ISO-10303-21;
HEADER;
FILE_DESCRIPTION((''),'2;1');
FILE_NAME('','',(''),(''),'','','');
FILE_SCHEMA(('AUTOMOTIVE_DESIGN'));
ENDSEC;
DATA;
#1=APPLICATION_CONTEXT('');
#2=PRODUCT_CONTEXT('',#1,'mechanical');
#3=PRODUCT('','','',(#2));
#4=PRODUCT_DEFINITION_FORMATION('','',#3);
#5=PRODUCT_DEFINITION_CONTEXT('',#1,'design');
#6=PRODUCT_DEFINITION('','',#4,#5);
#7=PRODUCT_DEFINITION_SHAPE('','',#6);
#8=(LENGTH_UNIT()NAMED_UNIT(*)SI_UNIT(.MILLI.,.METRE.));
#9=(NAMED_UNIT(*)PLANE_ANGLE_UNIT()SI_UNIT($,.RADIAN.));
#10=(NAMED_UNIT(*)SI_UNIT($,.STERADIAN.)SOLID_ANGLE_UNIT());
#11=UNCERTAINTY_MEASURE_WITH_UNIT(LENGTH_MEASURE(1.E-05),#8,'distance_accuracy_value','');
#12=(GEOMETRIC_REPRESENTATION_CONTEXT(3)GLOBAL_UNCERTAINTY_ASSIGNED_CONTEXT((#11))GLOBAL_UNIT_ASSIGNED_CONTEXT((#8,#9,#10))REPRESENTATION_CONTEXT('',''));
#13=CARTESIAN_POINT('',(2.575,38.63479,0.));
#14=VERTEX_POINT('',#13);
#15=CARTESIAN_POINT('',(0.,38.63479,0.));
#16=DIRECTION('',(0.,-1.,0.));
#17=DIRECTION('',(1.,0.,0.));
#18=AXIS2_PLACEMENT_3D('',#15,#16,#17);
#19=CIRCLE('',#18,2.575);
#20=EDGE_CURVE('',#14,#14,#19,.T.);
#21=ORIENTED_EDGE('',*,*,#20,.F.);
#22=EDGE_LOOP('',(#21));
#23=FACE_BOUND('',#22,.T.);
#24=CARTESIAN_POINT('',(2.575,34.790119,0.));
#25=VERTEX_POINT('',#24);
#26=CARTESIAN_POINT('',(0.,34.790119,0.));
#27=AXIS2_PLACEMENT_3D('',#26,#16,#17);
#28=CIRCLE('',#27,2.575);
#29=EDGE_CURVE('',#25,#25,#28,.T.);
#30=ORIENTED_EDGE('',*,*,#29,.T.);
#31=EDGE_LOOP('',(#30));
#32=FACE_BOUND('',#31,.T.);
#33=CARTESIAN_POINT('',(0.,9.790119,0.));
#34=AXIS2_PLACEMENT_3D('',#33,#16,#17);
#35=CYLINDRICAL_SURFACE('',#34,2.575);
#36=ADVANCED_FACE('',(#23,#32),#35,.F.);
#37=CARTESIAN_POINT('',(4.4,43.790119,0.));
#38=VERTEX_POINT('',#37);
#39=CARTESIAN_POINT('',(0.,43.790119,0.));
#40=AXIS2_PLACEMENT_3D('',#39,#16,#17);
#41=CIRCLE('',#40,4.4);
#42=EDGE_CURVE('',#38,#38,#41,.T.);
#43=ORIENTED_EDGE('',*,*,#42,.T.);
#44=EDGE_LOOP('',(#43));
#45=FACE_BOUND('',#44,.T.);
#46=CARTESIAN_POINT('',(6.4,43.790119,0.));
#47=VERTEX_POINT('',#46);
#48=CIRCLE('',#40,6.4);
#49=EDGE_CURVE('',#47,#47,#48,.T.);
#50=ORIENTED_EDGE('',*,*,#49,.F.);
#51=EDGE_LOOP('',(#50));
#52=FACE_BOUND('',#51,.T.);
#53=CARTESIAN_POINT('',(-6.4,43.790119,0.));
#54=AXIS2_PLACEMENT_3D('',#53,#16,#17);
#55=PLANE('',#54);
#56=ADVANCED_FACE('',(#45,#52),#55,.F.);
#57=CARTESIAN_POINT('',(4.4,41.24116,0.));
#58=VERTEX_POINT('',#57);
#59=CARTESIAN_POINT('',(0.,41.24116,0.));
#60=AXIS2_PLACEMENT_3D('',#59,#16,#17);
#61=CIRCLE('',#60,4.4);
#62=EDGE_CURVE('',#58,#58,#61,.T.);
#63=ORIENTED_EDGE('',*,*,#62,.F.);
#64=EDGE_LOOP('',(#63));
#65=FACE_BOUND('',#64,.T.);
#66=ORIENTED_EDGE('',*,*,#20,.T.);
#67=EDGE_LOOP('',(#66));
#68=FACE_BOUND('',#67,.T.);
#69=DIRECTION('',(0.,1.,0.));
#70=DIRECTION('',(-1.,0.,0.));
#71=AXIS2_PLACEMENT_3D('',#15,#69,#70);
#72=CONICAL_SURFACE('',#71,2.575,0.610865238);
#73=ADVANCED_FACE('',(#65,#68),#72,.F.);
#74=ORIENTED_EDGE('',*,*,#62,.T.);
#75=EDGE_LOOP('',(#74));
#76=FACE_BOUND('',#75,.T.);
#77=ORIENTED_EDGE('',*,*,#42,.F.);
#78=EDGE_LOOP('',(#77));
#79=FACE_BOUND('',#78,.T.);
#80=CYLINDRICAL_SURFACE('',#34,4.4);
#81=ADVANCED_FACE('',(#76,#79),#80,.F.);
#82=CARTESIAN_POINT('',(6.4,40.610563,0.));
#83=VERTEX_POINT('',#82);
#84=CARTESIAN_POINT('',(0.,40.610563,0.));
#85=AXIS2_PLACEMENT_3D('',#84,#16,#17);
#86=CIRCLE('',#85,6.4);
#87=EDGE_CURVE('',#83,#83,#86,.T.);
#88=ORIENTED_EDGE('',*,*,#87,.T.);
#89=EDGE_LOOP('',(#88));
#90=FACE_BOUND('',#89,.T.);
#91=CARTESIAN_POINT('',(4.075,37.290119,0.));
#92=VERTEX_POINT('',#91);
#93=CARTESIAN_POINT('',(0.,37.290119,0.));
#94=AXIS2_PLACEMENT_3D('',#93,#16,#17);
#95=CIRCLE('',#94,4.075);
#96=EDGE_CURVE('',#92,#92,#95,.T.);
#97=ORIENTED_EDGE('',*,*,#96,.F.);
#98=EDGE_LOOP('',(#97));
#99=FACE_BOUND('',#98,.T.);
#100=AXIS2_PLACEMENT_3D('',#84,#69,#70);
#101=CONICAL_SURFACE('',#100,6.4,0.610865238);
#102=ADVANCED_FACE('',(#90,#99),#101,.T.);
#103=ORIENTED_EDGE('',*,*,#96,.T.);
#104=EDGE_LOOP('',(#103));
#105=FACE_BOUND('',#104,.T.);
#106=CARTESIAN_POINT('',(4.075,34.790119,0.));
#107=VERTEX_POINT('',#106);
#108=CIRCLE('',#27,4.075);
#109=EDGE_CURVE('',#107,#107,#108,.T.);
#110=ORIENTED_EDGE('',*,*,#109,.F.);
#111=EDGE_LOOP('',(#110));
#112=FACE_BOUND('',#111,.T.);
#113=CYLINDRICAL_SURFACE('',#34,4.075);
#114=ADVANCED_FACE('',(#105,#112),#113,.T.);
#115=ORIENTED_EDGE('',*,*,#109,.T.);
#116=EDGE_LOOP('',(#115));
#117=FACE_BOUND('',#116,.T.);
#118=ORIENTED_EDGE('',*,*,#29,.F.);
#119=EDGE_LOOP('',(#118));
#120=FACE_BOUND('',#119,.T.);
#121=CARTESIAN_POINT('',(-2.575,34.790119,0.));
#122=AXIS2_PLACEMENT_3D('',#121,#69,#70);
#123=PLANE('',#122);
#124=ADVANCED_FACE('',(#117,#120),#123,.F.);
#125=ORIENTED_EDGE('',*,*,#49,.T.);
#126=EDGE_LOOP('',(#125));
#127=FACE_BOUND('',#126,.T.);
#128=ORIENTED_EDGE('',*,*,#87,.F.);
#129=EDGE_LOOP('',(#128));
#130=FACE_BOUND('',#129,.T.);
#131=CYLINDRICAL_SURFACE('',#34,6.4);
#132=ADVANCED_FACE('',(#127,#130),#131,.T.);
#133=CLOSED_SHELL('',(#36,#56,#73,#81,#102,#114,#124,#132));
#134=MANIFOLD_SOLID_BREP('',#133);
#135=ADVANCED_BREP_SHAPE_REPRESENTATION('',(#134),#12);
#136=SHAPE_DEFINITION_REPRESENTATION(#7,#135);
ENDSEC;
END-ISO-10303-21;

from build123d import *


with BuildPart() as part:
    # Sketch1 → Revolve1 (revolve)
    with BuildSketch(Plane.XY):
        Polygon((-2.575, 34.790118513), (-4.075, 34.790118513), (-4.075, 37.290118513), (-6.4, 40.610562628), (-6.4, 43.790118513), (-4.4, 43.790118513), (-4.4, 41.241160206), (-2.575, 38.634790094), align=None)
    revolve(axis=Axis((0, 9.790118513, 0), (0, 1, 0)))


solid = part.part
